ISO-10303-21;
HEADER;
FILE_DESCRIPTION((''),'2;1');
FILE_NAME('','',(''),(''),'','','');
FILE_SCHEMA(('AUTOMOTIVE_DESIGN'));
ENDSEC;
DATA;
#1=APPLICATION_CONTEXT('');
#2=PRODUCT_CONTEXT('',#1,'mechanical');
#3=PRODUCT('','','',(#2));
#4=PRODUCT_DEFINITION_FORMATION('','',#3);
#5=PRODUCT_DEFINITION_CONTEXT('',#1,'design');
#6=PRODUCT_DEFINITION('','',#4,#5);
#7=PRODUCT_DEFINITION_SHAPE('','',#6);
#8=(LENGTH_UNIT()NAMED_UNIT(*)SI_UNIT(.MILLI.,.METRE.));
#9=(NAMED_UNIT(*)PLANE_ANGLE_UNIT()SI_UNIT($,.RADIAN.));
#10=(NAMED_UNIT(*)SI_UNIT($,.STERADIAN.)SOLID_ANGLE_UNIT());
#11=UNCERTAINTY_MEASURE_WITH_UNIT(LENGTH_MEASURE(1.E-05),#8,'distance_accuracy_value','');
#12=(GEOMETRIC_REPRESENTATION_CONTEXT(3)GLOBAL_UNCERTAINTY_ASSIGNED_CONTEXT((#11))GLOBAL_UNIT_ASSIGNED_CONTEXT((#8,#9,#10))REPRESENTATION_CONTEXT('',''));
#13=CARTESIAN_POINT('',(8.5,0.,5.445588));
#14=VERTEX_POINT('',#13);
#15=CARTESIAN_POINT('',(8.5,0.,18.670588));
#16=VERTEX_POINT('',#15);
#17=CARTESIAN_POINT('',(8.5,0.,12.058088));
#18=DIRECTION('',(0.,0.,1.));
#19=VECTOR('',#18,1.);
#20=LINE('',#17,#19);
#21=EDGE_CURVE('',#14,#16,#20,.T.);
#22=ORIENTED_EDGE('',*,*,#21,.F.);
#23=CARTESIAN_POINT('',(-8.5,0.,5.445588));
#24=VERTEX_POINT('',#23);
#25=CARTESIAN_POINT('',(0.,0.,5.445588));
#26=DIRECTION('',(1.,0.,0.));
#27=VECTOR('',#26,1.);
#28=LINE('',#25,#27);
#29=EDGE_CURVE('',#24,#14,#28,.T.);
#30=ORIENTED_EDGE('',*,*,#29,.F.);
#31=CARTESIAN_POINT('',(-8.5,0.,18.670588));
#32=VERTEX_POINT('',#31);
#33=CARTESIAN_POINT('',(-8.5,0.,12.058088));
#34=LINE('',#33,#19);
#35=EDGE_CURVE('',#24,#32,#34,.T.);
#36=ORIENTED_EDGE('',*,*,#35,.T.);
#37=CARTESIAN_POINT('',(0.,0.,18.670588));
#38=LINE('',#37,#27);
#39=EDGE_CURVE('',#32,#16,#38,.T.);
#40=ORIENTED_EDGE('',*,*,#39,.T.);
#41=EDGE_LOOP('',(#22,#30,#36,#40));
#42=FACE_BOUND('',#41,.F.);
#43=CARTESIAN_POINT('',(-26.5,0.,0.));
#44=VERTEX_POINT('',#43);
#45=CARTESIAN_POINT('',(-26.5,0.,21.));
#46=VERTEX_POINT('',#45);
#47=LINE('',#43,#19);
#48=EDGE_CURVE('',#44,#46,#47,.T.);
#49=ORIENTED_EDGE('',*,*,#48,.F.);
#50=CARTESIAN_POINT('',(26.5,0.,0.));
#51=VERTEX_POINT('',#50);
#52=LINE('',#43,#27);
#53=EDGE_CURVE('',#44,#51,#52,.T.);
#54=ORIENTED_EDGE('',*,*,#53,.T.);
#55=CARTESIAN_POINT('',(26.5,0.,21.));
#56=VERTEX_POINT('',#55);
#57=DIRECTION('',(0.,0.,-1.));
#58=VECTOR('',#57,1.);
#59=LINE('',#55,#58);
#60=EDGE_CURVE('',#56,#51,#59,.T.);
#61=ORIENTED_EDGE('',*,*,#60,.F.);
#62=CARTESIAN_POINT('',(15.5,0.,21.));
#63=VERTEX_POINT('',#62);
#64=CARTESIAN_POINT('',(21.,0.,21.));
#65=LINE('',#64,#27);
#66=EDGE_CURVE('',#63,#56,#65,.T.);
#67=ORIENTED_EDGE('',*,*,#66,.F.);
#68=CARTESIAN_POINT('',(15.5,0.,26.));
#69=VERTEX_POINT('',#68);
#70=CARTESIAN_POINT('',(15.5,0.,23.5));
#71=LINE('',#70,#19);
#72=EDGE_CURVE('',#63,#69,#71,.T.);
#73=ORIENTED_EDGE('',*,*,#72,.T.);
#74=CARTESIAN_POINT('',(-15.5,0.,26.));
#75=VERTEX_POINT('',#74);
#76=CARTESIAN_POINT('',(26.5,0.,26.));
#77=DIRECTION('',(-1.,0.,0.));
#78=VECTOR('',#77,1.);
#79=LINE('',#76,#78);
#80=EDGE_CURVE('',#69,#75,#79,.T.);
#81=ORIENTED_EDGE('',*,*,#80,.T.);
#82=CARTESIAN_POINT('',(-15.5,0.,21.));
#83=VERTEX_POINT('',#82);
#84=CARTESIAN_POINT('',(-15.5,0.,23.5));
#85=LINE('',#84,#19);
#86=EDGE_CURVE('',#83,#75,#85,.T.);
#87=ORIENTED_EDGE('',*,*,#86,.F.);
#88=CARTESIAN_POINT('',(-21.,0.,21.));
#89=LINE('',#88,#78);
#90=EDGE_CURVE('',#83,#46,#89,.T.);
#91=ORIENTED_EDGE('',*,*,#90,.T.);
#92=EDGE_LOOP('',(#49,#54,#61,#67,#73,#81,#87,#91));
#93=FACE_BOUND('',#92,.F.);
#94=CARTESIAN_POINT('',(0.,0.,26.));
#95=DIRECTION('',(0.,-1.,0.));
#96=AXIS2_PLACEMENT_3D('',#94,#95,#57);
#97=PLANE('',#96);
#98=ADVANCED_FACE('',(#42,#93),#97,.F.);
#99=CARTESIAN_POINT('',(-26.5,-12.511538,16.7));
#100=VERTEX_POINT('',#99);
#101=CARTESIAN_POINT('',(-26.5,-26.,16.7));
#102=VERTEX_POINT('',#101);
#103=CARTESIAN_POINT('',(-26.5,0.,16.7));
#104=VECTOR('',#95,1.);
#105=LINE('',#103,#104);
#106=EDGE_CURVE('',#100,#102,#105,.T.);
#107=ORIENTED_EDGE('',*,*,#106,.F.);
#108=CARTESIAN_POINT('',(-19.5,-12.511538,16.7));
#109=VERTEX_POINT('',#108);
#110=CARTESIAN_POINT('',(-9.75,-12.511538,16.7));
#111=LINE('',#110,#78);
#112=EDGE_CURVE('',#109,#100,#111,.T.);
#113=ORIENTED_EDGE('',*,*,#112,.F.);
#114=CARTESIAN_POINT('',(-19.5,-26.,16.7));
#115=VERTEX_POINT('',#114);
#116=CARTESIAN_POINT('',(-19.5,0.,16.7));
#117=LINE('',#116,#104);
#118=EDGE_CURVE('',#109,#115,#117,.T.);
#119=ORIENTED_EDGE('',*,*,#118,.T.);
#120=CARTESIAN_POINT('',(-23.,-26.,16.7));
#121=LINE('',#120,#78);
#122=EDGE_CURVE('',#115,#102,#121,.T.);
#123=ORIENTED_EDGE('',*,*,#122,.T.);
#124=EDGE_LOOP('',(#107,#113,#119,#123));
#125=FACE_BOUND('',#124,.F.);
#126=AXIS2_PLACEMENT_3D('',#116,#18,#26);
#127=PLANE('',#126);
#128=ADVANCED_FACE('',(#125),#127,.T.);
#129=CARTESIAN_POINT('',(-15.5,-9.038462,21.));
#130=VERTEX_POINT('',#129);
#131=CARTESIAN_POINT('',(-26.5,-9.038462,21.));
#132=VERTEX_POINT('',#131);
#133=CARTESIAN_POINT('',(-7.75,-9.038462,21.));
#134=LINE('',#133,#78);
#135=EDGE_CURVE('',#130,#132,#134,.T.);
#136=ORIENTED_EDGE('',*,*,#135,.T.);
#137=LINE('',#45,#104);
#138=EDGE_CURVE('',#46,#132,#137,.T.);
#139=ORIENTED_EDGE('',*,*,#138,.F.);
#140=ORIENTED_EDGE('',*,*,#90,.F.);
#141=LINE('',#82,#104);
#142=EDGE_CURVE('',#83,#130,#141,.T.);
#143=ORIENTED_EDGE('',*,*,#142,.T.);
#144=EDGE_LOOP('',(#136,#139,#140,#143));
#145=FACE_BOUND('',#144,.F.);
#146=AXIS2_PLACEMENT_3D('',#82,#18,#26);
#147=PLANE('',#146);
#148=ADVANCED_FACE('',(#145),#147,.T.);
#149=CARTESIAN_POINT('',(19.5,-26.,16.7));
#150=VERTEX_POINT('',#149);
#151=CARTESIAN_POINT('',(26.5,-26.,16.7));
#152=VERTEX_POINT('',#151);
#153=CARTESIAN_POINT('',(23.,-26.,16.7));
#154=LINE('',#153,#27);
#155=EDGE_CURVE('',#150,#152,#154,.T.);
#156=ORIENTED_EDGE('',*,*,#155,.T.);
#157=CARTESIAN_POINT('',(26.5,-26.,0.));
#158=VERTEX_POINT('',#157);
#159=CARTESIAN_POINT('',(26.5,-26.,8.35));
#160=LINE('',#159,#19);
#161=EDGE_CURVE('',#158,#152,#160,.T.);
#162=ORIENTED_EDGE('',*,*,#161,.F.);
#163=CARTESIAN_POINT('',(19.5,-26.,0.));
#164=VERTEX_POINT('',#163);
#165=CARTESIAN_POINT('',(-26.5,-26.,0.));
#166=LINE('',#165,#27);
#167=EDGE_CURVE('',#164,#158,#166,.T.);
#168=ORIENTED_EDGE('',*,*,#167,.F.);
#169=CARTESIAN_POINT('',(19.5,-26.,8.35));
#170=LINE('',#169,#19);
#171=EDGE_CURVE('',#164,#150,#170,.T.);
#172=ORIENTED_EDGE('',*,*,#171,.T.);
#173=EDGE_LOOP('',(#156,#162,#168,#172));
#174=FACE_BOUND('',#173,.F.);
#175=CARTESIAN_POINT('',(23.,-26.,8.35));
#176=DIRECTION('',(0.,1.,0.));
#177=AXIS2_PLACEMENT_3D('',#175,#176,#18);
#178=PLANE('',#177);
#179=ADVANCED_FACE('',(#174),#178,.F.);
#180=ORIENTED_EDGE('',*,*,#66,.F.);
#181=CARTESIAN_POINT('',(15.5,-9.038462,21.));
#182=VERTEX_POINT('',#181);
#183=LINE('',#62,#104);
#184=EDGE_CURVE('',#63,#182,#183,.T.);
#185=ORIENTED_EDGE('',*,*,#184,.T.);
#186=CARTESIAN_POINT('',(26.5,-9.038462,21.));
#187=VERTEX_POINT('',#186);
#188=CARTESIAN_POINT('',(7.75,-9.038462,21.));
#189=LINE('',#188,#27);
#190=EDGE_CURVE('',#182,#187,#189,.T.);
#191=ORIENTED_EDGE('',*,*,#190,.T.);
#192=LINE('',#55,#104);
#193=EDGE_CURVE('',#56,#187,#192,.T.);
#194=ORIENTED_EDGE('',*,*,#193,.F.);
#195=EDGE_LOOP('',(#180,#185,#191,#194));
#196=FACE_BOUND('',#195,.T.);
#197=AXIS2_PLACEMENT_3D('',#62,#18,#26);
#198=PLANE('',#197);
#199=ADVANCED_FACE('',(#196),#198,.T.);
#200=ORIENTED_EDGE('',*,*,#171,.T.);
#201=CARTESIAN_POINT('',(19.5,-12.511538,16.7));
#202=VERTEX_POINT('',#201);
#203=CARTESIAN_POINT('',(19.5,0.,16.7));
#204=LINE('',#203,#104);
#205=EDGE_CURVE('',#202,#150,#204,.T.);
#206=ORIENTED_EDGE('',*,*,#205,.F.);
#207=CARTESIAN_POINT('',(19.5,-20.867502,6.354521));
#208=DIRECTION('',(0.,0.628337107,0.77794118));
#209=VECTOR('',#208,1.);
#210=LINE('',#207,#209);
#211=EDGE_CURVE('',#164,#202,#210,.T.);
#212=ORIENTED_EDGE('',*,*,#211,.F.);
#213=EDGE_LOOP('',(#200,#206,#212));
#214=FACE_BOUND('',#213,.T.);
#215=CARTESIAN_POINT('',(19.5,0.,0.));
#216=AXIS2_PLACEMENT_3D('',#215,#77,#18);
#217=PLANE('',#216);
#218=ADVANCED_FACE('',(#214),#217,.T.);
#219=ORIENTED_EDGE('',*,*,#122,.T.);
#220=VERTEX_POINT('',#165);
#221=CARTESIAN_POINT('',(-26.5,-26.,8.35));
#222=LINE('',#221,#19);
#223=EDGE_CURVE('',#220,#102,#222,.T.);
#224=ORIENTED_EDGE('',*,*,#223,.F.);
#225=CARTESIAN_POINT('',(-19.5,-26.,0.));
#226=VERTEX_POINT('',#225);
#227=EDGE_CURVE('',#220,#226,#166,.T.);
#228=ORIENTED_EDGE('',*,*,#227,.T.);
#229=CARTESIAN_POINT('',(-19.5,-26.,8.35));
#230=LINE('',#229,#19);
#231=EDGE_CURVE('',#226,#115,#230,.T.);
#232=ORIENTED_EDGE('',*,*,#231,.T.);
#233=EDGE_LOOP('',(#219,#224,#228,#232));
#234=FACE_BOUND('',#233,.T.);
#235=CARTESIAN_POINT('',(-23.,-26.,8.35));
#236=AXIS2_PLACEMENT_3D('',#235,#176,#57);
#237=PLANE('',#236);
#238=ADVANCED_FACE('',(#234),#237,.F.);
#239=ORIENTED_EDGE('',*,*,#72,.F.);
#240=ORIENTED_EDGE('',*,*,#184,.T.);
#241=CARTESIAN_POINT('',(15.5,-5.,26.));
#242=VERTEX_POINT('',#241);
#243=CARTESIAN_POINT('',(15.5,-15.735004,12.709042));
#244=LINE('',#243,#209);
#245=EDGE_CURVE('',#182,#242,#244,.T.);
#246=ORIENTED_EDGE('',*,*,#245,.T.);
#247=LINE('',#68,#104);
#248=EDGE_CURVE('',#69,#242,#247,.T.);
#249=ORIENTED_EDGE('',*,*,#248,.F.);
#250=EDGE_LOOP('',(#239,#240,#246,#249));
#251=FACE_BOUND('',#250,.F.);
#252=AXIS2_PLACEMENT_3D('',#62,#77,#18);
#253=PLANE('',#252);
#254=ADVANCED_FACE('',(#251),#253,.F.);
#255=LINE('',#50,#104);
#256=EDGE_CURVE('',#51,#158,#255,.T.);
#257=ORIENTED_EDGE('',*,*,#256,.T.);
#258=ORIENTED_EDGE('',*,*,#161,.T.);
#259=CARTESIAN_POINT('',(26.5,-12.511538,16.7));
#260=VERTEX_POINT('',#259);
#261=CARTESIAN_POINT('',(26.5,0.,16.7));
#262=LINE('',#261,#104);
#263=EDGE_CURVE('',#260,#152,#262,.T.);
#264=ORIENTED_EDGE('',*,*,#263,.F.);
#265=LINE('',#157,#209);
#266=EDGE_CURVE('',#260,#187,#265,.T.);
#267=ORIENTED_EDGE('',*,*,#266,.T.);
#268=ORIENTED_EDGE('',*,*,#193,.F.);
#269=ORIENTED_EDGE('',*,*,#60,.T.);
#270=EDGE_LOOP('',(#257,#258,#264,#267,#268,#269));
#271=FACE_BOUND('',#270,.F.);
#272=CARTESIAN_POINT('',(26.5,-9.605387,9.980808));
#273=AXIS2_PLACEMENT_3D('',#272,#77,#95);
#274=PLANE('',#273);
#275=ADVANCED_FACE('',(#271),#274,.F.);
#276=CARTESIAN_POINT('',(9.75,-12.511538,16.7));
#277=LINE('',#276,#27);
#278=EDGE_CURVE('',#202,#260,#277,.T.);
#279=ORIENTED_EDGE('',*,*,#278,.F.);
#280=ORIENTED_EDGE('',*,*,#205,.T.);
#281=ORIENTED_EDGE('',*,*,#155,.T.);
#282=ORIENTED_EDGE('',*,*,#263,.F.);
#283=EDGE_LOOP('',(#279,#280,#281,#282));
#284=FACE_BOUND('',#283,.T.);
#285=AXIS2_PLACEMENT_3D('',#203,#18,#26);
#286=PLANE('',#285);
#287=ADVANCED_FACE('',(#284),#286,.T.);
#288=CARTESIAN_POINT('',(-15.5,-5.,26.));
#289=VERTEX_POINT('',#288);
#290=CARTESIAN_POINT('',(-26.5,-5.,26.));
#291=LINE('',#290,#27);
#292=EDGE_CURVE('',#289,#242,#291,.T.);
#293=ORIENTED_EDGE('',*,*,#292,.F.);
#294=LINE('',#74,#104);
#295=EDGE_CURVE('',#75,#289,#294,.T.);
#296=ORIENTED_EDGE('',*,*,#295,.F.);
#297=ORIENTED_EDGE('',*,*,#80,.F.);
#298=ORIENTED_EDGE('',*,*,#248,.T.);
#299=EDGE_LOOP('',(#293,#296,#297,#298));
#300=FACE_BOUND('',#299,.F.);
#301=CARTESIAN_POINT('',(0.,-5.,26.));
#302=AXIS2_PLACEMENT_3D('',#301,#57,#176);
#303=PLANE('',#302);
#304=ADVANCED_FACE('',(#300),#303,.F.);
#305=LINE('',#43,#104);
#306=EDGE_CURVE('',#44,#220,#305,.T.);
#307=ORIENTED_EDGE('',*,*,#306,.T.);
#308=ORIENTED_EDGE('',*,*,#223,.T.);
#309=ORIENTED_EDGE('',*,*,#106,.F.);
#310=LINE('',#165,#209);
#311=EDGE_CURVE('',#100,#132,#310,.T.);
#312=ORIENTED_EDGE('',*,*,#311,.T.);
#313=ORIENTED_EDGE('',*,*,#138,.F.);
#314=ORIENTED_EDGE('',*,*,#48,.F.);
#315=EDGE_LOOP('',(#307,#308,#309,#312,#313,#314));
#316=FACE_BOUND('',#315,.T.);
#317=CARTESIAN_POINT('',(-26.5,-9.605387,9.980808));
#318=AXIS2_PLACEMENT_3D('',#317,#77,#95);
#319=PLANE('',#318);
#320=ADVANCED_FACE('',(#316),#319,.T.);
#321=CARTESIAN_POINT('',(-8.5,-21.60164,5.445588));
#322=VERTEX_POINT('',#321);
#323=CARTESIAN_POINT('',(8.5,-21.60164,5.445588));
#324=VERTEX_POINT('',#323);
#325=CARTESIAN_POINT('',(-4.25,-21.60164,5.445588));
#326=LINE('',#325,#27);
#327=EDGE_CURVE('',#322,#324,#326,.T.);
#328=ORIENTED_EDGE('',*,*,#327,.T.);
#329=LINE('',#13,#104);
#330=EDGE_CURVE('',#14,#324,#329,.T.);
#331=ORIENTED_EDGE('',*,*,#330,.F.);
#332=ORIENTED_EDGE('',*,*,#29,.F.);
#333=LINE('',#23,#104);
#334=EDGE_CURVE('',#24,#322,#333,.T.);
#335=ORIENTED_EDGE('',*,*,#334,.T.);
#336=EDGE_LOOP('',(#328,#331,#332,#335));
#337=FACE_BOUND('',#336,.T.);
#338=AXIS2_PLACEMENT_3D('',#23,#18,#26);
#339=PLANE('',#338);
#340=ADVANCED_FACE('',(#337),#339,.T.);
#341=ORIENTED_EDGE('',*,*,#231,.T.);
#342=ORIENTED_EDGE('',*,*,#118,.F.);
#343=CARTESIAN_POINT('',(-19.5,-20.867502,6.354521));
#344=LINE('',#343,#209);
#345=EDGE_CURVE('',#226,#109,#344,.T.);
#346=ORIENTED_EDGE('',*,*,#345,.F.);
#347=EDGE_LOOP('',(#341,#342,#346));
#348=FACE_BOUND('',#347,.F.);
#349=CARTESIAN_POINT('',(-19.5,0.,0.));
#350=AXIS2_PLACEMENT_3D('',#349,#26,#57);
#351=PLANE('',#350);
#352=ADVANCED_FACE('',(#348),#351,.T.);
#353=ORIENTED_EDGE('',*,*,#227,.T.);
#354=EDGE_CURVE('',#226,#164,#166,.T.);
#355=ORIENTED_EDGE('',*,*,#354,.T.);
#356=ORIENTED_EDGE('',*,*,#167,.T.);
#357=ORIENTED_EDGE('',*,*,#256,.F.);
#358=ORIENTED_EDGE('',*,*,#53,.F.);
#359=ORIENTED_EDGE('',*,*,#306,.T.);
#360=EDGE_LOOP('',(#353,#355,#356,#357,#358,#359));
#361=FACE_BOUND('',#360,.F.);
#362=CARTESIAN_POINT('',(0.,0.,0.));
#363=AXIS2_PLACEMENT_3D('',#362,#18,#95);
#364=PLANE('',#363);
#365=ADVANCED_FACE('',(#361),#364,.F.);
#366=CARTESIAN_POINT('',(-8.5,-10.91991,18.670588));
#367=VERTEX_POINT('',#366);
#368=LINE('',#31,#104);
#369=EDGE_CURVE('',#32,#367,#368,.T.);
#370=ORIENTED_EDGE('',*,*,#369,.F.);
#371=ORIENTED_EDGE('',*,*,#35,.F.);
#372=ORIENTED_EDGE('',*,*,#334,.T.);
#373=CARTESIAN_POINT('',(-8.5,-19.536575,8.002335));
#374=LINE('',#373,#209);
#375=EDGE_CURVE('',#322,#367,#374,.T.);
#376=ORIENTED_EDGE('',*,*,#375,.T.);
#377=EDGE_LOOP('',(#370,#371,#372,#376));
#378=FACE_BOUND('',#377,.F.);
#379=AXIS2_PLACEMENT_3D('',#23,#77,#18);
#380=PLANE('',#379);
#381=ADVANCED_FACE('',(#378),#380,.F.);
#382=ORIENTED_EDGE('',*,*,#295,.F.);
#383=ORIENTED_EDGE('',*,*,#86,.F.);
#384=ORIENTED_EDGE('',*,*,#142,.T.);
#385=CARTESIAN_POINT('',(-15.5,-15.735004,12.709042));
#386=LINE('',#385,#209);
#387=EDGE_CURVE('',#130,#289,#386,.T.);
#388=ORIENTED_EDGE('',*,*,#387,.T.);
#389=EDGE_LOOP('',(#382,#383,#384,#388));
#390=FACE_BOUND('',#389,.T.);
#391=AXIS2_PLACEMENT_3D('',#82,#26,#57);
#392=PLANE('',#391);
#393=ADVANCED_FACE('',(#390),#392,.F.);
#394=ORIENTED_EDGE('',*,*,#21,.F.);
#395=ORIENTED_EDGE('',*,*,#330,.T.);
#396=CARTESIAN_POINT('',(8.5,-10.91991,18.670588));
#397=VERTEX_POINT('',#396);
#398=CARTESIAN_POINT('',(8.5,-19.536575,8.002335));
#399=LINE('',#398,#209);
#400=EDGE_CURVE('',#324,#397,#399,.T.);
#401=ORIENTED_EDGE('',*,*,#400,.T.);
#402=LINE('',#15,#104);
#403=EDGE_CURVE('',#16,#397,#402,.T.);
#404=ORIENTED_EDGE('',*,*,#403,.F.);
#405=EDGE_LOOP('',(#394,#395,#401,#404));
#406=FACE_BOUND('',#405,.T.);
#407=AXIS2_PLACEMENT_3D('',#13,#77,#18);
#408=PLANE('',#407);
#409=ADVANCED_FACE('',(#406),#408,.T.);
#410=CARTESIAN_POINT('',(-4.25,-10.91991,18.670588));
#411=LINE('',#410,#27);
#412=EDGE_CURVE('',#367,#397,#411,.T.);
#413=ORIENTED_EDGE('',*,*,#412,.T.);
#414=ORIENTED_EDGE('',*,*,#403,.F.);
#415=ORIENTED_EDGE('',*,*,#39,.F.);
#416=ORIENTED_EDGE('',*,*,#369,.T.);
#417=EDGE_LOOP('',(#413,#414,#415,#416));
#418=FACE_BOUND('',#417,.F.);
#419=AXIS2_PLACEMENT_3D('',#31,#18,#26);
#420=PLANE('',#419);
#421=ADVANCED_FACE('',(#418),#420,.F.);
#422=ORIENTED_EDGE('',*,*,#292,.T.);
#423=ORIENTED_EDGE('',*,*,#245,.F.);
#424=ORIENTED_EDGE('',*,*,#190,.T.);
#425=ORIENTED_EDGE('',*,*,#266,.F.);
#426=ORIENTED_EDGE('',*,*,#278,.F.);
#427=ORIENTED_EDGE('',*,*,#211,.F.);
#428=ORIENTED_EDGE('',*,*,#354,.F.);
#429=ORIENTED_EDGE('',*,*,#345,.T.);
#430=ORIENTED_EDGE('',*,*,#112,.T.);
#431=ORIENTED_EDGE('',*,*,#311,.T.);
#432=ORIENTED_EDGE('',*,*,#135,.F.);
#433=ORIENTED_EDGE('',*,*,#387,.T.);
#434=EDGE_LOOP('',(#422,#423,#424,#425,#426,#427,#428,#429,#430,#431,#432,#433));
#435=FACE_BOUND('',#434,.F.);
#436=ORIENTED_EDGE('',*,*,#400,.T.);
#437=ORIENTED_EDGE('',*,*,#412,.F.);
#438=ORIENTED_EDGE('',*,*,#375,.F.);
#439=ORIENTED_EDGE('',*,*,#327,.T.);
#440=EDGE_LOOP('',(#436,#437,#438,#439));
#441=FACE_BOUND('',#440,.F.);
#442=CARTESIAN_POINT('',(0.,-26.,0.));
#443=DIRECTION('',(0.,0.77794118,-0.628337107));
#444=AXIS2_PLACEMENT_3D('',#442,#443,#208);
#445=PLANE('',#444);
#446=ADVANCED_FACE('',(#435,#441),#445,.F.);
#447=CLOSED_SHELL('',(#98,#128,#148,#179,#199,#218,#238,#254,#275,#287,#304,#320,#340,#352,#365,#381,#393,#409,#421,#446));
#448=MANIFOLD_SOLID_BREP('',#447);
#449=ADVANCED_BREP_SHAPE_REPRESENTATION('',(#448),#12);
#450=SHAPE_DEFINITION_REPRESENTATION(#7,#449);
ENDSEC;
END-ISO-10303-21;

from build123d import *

# Parameters (mm, degrees)
PAD_DEPTH       = 26.5
SKETCH001_W     = 5
SKETCH001_H     = 11
POCKET_DEPTH    = 155.012627
SKETCH002_W     = 16.7
SKETCH002_H     = 7
PAD001_DEPTH    = 26
SKETCH004_W     = 13.225
SKETCH004_H     = 17
POCKET001_DEPTH = 26.001


with BuildPart() as part:
    # Sketch → Pad (new body, symmetric)
    with BuildSketch(Plane.YZ):
        Polygon((-5, 26), (0, 26), (0, 0), (-26, 0), align=None)
    extrude(amount=PAD_DEPTH, both=True)

    # Sketch001 (on Face2 of Pad) → Pocket (cut, through all)
    with BuildSketch(Plane.ZX):
        with Locations((23.5, 21)):
            Rectangle(SKETCH001_W, SKETCH001_H)
    pocket = extrude(amount=-POCKET_DEPTH, mode=Mode.SUBTRACT)

    # Mirrored: Pocket across Sketch001 H_Axis
    add(pocket.mirror(Plane.YZ), mode=Mode.SUBTRACT)

    # Sketch002 (on Face2 of Mirrored) → Pad001 (join)
    with BuildSketch(Plane.ZX):
        with Locations((8.35, 23)):
            Rectangle(SKETCH002_W, SKETCH002_H)
    pad001 = extrude(amount=-PAD001_DEPTH)

    # Mirrored001: Pad001 across Sketch002 H_Axis
    add(pad001.mirror(Plane.YZ))

    # Sketch004 (on Face2 of Mirrored001) → Pocket001 (cut, through all)
    with BuildSketch(Plane.ZX):
        with Locations((12.058088, 0)):
            Rectangle(SKETCH004_W, SKETCH004_H)
    extrude(amount=-POCKET001_DEPTH, mode=Mode.SUBTRACT)


solid = part.part
